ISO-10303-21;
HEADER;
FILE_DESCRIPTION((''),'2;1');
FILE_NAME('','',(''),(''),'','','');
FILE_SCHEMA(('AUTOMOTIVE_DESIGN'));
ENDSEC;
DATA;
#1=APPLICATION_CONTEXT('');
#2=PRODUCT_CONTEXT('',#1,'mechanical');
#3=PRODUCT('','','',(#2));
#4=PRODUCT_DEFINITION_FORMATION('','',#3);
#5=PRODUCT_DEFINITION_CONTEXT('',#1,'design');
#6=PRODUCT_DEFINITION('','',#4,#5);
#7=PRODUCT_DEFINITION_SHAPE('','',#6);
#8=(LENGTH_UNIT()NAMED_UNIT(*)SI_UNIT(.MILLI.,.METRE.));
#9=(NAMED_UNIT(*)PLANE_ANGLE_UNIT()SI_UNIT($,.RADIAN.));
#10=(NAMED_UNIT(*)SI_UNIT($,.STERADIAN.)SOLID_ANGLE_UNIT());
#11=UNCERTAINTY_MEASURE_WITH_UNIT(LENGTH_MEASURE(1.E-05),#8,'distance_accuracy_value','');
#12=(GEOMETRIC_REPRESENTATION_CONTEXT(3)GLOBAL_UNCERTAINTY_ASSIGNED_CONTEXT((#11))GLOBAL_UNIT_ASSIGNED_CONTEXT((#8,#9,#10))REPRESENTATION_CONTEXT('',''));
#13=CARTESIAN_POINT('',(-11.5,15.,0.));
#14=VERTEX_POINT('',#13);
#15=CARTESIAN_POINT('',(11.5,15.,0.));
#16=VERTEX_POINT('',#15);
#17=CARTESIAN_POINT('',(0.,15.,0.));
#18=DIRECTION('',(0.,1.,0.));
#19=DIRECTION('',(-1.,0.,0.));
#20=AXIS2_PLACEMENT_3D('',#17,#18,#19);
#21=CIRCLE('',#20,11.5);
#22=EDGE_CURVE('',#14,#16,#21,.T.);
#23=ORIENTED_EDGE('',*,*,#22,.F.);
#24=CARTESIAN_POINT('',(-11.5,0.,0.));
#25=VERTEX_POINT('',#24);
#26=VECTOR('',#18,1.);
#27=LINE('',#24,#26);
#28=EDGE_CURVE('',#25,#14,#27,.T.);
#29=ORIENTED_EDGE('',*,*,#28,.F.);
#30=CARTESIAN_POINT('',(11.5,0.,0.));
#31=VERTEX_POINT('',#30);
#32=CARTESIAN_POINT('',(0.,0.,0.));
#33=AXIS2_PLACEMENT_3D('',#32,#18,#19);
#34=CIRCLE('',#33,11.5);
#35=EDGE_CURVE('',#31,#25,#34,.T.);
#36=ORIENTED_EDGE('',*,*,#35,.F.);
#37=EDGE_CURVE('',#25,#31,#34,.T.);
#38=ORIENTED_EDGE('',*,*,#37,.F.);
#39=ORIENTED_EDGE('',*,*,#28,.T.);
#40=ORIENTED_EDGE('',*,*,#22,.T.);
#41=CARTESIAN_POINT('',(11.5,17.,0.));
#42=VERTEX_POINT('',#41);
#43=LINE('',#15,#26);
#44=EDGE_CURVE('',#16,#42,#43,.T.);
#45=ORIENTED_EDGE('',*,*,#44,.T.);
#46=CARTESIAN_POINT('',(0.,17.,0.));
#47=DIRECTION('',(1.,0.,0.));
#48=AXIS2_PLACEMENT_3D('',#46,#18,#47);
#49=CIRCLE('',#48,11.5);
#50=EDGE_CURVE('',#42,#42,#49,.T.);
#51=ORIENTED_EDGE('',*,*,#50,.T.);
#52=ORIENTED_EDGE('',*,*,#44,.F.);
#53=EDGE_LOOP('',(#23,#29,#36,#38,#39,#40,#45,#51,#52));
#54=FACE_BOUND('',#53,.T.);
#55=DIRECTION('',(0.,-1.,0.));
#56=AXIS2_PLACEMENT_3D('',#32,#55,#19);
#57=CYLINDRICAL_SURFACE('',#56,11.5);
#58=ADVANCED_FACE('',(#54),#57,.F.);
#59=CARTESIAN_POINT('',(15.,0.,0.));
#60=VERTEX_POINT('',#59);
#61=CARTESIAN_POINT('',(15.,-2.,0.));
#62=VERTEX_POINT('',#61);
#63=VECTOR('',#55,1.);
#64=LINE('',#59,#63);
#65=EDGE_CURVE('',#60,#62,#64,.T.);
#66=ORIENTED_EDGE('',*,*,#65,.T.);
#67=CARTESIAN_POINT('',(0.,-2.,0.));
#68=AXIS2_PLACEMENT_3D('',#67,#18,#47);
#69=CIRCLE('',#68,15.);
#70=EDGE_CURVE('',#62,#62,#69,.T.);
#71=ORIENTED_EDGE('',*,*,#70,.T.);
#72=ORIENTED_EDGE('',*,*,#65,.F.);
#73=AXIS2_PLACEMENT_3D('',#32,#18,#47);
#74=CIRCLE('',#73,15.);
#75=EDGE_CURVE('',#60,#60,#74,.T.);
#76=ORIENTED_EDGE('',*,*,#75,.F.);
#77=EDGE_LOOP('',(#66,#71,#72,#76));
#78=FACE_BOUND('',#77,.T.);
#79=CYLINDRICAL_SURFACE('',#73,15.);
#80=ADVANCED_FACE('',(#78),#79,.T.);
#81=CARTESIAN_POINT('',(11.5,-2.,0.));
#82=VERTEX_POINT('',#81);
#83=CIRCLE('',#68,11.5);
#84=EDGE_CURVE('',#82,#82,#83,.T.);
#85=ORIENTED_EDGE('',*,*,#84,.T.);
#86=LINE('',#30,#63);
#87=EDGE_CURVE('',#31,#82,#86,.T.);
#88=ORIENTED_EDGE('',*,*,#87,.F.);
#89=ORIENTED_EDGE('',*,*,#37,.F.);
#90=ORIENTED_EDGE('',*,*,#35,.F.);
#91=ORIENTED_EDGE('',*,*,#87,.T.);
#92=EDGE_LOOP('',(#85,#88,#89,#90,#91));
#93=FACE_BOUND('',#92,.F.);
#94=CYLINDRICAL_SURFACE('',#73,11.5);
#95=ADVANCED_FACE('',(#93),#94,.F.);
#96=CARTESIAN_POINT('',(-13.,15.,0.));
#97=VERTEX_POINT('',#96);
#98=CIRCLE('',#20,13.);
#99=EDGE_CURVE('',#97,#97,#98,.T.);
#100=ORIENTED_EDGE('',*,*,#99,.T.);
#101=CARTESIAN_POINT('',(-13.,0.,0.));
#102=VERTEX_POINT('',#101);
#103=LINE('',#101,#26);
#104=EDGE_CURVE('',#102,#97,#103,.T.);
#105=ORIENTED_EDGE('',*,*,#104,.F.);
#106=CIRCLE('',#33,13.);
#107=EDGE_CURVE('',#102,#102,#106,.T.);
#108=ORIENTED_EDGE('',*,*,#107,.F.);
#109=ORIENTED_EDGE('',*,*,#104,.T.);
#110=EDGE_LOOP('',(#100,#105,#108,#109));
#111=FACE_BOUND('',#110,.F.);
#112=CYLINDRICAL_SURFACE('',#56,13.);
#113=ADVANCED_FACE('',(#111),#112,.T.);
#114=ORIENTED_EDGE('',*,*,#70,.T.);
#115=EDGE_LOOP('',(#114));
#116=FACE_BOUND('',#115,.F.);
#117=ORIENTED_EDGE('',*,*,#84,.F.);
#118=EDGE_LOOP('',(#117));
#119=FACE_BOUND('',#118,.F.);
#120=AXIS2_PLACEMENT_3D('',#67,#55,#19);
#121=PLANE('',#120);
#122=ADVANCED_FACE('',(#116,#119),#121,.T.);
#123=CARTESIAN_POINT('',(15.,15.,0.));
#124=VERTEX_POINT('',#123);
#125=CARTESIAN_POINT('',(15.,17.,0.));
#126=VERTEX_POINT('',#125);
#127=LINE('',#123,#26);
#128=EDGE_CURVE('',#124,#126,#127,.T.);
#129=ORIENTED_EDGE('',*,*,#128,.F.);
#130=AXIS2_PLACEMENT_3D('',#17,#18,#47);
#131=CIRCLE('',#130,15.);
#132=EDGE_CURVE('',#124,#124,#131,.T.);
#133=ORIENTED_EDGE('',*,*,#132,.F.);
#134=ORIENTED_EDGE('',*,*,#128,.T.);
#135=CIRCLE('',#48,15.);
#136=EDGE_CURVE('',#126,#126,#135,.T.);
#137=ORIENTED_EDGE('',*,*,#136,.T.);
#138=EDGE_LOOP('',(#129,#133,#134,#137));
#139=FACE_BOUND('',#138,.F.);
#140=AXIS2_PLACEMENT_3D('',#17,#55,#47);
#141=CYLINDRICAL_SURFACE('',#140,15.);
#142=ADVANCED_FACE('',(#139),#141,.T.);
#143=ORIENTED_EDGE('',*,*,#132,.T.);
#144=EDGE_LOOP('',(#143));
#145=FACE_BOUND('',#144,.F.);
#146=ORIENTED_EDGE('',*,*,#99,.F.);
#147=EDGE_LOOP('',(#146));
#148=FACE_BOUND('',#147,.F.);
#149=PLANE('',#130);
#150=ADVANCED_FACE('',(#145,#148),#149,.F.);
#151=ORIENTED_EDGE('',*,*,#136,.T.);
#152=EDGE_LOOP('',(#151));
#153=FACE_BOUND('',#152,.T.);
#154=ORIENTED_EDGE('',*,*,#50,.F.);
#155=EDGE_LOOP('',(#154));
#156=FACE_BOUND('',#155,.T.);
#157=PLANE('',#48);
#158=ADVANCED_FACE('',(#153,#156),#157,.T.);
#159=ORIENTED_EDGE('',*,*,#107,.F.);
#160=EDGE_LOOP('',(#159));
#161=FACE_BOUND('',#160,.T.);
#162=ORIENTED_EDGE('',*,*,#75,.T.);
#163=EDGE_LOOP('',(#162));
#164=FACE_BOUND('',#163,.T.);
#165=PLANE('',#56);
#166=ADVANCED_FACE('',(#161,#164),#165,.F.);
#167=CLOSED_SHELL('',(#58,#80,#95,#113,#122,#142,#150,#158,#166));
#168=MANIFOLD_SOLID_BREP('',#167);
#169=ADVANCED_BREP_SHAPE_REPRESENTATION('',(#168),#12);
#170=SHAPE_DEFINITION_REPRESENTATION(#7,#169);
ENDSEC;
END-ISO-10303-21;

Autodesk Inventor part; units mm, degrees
ref_plane "YZ Plane" through (0, 0, 0) normal (1, 0, 0) x (0, 1, 0)
ref_plane "XZ Plane" through (0, 0, 0) normal (0, 1, 0) x (-1, 0, 0)
sketch "Sketch1" plane through (0, 0, 0) normal (0, 1, 0) x (-1, 0, 0)
  circle A0 centre (0, 0) radius 13
  circle A1 centre (0, 0) radius 11.5
  dimension "d0" = 26
  dimension "d1" = 23
extrude "Extrusion1" add sketch "Sketch1" along normal blind 15
sketch "Sketch2" plane through (0, 15, 0) normal (0, 1, 0) x (1, 0, 0)
  circle A0 centre (0, 0) radius 15
  circle A1 centre (0, 0) radius 11.5 projected
  dimension "d4" = 30
extrude "Extrusion2" add sketch "Sketch2" along normal blind 2
ref_plane "Work Plane1" through (0, 7.5, 0) normal (0, -1, 0) x (1, 0, 0)
mirror "Mirror1" about plane through (0, 7.5, 0) normal (0, -1, 0) of "Extrusion2"
properties part number "inner tube"
